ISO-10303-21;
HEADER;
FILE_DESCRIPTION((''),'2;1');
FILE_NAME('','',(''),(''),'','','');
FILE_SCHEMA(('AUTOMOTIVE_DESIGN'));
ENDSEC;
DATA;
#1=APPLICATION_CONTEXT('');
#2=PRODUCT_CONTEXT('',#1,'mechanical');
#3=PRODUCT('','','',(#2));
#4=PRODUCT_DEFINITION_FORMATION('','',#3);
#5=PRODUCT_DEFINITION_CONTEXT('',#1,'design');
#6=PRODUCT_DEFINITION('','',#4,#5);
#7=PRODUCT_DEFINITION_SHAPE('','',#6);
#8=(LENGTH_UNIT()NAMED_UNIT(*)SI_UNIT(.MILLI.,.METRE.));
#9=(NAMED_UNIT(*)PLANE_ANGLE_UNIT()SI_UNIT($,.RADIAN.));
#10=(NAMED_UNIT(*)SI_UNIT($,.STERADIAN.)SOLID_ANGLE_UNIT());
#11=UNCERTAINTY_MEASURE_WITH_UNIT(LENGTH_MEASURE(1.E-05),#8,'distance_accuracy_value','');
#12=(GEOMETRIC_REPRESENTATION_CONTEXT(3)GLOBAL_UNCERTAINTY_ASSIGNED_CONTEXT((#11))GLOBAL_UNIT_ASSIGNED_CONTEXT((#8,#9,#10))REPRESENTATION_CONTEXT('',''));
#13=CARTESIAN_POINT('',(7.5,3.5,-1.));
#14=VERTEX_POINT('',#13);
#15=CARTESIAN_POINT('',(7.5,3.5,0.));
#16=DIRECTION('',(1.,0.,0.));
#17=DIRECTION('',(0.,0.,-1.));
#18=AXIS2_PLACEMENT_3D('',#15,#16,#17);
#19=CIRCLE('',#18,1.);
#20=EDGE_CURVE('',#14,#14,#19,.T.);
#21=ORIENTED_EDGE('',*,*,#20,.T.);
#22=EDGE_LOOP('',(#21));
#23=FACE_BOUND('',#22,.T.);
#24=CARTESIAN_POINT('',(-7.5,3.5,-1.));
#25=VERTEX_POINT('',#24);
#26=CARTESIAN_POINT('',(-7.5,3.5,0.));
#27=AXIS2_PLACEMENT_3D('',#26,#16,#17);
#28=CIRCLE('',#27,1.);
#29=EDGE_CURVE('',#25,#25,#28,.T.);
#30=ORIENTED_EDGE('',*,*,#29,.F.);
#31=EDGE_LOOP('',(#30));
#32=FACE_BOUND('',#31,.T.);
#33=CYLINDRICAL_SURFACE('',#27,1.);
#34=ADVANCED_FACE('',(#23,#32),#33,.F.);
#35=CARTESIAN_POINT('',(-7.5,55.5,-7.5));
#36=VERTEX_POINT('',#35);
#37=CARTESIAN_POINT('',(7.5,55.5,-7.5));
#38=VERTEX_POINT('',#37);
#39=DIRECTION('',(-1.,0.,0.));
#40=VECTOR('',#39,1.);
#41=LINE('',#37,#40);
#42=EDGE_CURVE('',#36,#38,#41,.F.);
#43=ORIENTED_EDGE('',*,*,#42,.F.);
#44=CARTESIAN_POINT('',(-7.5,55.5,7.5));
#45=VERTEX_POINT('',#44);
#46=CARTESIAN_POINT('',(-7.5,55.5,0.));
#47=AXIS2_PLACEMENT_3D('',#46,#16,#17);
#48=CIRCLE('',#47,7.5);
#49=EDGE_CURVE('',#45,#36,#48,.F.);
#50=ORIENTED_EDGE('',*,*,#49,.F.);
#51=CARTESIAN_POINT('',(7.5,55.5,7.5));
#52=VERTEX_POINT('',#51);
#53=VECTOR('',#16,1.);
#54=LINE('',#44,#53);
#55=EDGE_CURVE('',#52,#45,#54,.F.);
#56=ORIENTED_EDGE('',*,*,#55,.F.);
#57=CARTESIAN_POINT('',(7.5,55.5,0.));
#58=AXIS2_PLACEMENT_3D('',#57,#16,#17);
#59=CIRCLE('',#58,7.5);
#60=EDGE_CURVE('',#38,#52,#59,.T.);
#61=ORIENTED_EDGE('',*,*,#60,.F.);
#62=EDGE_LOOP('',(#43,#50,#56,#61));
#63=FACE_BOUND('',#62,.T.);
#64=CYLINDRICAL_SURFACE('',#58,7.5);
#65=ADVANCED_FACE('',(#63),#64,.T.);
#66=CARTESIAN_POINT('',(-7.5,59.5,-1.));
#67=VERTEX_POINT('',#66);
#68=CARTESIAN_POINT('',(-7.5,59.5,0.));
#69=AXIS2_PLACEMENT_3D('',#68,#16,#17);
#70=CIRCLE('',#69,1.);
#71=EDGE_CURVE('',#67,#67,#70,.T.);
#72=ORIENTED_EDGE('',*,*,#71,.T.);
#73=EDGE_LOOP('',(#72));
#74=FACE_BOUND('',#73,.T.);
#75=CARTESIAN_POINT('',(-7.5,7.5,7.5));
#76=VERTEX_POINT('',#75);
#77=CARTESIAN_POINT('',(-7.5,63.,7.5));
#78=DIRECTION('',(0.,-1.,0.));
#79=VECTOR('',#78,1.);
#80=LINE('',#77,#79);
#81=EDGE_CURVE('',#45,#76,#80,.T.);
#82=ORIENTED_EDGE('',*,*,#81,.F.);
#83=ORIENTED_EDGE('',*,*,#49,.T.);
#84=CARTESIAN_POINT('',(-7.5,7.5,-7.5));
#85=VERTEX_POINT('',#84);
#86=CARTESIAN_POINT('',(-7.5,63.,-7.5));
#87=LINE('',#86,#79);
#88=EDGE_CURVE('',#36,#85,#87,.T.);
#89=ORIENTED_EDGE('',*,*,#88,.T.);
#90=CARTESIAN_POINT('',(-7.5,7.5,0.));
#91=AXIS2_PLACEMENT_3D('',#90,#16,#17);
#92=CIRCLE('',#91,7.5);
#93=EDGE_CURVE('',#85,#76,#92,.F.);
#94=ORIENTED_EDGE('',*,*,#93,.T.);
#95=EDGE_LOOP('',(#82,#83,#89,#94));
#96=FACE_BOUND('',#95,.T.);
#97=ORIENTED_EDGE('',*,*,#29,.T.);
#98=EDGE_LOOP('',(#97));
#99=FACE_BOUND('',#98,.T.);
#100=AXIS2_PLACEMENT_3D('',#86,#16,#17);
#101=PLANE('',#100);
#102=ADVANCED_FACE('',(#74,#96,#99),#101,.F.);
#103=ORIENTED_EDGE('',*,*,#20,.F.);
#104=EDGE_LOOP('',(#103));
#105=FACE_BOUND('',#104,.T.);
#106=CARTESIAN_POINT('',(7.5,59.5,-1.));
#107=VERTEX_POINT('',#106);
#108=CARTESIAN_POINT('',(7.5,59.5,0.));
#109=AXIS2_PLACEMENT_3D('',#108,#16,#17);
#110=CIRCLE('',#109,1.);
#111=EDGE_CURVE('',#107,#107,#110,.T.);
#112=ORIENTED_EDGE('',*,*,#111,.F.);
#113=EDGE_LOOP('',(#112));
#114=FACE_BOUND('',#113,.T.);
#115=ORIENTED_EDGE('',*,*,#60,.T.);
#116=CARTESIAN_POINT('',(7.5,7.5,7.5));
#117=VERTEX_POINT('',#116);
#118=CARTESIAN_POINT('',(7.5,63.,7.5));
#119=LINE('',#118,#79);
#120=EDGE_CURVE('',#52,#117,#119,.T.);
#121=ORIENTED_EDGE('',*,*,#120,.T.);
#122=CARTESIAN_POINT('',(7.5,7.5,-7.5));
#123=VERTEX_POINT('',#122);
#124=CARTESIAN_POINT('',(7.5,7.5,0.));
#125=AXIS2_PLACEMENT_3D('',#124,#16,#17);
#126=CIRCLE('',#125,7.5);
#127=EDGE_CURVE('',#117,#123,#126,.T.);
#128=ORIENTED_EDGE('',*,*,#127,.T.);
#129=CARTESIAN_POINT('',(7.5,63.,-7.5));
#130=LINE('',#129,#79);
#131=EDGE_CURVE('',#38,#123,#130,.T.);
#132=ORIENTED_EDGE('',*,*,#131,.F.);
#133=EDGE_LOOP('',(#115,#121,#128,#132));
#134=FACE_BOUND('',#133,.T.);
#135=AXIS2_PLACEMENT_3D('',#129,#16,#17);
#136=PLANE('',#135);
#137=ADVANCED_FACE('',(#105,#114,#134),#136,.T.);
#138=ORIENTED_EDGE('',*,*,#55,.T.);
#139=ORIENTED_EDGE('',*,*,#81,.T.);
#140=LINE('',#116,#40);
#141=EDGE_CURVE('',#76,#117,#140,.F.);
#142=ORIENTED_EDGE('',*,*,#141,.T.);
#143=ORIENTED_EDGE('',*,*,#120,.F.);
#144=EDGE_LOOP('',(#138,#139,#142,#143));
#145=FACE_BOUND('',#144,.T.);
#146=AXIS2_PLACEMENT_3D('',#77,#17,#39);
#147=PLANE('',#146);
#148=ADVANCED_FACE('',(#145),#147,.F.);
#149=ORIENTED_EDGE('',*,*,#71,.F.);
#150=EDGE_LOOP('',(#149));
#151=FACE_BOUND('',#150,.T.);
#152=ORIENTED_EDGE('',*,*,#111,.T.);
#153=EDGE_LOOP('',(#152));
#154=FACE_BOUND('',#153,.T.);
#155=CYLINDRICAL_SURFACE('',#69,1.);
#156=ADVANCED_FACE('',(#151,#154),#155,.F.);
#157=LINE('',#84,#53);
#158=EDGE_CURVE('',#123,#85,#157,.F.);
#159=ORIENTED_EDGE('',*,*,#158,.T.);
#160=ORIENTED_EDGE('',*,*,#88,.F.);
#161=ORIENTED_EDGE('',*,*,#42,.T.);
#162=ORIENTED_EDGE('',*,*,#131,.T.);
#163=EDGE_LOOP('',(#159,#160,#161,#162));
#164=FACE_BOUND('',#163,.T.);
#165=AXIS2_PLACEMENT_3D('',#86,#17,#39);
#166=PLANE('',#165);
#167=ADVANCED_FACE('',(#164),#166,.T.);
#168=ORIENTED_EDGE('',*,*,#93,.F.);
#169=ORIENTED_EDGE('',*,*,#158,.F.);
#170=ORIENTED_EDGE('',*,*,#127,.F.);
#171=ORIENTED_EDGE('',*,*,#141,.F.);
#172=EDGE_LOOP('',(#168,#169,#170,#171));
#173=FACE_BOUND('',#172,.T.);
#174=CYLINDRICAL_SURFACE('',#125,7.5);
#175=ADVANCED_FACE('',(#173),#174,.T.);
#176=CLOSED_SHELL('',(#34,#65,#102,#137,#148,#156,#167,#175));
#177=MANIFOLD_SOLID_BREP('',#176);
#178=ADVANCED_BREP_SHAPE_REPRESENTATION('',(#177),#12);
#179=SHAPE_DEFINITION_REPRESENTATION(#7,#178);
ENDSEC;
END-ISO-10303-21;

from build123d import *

# Parameters (mm, degrees)
SKETCH1_W           = 15
SKETCH1_H           = 15
BOSS_EXTRUDE1_DEPTH = 63
SKETCH3_R           = 1
CUT_EXTRUDE1_DEPTH  = 15
FILLET1_RADIUS      = 7.5
FILLET1_LENGTH      = 15
FILLET2_RADIUS      = 7.5
FILLET2_LENGTH      = 15


with BuildPart() as part:
    # Sketch1 → Boss-Extrude1 (new body)
    with BuildSketch(Plane(origin=(0, 0, 0), x_dir=(1, 0, 0), z_dir=(0, 1, 0))):
        Rectangle(SKETCH1_W, SKETCH1_H)
    extrude(amount=BOSS_EXTRUDE1_DEPTH)

    # Sketch3 → Cut-Extrude1 (cut)
    with BuildSketch(Plane(origin=(7.5, 0, 0), x_dir=(0, 0, -1), z_dir=(1, 0, 0))):
        with Locations((0, 59.5)):
            Circle(SKETCH3_R)
        with Locations((0, 3.5)):
            Circle(SKETCH3_R)
    extrude(amount=-CUT_EXTRUDE1_DEPTH, mode=Mode.SUBTRACT)

    # Fillet1: full round fillet: the end face becomes a half cylinder, R = half its width
    fillet1_face = Plane((0, 63, 0), x_dir=(1, 0, 0), z_dir=(0, 1, 0))  # on the end face: x along it, z out of the body
    fillet1_slab = fillet1_face.offset(-FILLET1_RADIUS / 2) * Box(FILLET1_LENGTH, 2 * FILLET1_RADIUS, FILLET1_RADIUS, mode=Mode.PRIVATE)  # the body's end, R deep
    fillet1_round = Plane((0, 55.5, 0), x_dir=(0, 1, 0), z_dir=(1, 0, 0)) * Cylinder(FILLET1_RADIUS, FILLET1_LENGTH, mode=Mode.PRIVATE)  # its axis R under the face
    add(fillet1_slab - fillet1_round, mode=Mode.SUBTRACT)

    # Fillet2: full round fillet: the end face becomes a half cylinder, R = half its width
    fillet2_face = Plane((0, 0, 0), x_dir=(-1, 0, 0), z_dir=(0, -1, 0))  # on the end face: x along it, z out of the body
    fillet2_slab = fillet2_face.offset(-FILLET2_RADIUS / 2) * Box(FILLET2_LENGTH, 2 * FILLET2_RADIUS, FILLET2_RADIUS, mode=Mode.PRIVATE)  # the body's end, R deep
    fillet2_round = Plane((0, 7.5, 0), x_dir=(0, -1, 0), z_dir=(-1, 0, 0)) * Cylinder(FILLET2_RADIUS, FILLET2_LENGTH, mode=Mode.PRIVATE)  # its axis R under the face
    add(fillet2_slab - fillet2_round, mode=Mode.SUBTRACT)


solid = part.part
